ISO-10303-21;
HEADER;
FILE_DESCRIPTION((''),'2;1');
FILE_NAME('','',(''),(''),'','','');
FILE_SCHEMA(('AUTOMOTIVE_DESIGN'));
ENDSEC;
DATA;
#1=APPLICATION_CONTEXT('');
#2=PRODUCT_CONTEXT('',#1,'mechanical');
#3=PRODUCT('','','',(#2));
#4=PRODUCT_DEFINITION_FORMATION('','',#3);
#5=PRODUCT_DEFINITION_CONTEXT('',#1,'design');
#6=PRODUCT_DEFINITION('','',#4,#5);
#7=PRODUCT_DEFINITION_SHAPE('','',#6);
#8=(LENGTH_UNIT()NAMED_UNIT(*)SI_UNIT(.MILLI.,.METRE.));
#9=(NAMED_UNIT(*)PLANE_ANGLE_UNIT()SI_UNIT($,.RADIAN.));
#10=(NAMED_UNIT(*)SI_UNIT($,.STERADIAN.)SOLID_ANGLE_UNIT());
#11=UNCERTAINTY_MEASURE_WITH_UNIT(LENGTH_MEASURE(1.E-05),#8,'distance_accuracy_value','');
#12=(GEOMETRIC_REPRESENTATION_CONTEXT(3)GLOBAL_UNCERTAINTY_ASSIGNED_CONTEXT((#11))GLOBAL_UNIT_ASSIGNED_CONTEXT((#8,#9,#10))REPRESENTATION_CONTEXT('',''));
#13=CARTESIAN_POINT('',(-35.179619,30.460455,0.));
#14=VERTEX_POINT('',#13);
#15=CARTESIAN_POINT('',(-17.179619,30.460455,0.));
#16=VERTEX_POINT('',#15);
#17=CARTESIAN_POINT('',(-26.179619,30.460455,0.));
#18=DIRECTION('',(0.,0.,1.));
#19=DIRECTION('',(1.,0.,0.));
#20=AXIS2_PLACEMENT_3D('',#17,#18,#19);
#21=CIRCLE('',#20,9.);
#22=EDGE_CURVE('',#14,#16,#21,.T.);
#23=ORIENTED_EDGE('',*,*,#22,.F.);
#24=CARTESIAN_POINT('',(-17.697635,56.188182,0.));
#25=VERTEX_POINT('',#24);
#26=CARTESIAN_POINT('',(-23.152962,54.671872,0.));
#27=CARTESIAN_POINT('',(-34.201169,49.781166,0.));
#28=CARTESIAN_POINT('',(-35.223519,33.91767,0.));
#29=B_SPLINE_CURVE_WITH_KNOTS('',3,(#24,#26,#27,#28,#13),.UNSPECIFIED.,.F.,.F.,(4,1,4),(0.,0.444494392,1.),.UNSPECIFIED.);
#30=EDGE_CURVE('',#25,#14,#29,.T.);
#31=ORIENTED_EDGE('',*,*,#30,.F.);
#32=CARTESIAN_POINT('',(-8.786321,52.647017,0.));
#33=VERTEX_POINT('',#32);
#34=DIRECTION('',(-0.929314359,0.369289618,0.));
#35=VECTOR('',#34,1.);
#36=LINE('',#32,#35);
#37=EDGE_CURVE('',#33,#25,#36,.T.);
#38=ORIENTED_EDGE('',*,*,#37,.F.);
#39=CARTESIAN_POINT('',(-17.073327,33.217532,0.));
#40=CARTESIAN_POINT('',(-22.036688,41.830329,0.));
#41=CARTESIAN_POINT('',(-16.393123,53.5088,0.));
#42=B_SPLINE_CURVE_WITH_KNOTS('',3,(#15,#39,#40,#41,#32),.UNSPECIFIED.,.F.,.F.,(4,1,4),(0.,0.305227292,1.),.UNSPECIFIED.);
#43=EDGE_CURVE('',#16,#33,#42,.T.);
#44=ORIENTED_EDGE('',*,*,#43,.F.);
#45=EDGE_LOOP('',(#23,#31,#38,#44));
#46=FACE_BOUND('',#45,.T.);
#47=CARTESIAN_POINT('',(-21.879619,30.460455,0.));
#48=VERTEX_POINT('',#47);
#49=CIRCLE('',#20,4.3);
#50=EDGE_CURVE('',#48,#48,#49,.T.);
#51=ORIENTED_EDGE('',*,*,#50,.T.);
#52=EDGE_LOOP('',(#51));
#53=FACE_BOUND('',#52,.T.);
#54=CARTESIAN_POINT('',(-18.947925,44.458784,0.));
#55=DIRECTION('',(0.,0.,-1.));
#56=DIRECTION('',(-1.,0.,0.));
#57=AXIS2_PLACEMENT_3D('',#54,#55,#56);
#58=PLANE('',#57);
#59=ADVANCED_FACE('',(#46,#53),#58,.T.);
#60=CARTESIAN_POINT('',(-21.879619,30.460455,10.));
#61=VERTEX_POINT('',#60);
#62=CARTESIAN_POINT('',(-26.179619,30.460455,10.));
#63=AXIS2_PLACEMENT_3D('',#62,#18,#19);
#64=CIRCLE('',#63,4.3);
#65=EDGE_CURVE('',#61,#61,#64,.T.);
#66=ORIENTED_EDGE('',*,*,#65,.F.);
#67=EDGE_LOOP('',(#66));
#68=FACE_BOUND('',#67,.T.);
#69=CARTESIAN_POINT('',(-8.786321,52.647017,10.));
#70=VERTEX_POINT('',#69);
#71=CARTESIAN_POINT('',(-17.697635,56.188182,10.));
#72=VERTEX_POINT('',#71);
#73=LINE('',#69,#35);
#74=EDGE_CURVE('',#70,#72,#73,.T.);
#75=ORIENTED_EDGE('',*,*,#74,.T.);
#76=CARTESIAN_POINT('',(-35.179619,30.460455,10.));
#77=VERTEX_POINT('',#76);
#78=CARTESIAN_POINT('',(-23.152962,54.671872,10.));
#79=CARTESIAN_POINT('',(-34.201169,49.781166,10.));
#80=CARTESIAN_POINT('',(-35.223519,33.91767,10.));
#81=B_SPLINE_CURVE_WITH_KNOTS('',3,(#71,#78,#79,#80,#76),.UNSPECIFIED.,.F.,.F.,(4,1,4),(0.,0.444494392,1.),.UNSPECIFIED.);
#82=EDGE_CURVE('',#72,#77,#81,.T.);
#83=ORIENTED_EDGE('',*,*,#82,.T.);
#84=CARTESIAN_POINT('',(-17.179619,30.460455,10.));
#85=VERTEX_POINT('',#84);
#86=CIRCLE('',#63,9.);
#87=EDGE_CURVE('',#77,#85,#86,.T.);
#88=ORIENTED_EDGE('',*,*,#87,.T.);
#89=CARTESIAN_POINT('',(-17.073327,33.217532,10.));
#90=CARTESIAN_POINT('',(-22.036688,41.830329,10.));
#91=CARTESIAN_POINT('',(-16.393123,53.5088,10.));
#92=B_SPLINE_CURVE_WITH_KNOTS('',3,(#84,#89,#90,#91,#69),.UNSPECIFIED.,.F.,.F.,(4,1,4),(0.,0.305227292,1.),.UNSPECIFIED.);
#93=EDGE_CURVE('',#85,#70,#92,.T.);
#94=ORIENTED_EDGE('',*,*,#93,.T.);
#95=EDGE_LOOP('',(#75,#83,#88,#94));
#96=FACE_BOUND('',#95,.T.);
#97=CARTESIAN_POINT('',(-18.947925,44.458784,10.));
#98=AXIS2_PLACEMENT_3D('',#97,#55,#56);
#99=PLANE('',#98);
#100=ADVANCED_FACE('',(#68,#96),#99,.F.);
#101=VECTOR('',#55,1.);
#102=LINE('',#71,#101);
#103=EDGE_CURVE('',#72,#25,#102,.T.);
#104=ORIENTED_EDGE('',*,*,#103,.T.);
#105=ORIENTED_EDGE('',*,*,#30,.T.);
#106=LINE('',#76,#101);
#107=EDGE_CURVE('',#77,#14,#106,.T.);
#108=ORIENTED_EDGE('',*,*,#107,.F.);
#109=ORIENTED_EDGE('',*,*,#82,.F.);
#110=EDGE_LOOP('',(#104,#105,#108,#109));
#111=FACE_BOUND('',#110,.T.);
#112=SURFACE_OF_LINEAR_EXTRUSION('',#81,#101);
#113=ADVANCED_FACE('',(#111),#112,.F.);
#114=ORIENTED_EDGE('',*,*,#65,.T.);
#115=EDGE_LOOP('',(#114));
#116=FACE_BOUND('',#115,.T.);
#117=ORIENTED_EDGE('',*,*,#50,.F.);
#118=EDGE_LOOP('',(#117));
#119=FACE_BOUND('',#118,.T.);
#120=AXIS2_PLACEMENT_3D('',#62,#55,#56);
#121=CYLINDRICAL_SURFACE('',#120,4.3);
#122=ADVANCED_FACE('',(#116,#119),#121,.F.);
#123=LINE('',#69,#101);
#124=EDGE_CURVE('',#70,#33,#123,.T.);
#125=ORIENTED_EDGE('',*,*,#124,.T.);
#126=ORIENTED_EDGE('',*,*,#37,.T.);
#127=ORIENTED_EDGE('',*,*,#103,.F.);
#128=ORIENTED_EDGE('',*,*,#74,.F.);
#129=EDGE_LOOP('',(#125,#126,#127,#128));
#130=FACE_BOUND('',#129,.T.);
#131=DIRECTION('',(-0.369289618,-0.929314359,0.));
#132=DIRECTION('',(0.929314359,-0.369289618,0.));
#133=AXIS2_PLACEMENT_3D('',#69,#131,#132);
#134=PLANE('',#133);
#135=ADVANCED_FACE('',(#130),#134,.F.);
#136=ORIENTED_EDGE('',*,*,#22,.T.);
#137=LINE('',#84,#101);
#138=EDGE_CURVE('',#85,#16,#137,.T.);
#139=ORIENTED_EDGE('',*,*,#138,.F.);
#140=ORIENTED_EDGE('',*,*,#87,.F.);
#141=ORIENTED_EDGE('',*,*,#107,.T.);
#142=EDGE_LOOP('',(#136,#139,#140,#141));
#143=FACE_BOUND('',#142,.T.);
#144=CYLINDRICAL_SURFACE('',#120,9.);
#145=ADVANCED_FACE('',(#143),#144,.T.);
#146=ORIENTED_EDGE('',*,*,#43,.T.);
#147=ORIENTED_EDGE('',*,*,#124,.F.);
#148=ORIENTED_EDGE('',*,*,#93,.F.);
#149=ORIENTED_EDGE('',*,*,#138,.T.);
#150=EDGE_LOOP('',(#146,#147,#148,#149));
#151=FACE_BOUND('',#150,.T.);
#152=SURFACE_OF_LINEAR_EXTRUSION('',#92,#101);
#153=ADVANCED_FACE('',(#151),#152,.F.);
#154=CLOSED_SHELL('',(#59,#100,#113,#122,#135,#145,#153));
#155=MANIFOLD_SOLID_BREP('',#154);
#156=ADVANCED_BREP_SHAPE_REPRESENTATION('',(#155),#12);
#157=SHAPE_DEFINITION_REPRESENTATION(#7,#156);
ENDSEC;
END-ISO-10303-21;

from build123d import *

# Parameters (mm, degrees)
SKETCH1_R           = 4.3
BOSS_EXTRUDE1_DEPTH = 10


with BuildPart() as part:
    # Sketch1 → Boss-Extrude1 (new body)
    with BuildSketch(Plane.XY):
        with BuildLine():
            Line((-8.786321272, 52.647017374), (-17.697634828, 56.188182479))
            add(Edge.make_bspline(
                [(-35.179619379, 30.460455257), (-35.223518874, 33.917669849), (-34.201169153, 49.781165774), (-23.152962073, 54.671871571), (-17.697634828, 56.188182479)],
                knots=[0, 0, 0, 0, 0.555505608, 1, 1, 1, 1], degree=3))
            ThreePointArc((-35.179619379, 30.460455257), (-26.179619379, 21.460455257), (-17.179619379, 30.460455257))
            add(Edge.make_bspline(
                [(-17.179619379, 30.460455257), (-17.07332671, 33.217532109), (-22.036687674, 41.830328863), (-16.393122833, 53.508799667), (-8.786321272, 52.647017374)],
                knots=[0, 0, 0, 0, 0.305227292, 1, 1, 1, 1], degree=3))
        make_face()
        with Locations((-26.179619379, 30.460455257)):
            Circle(SKETCH1_R, mode=Mode.SUBTRACT)
    extrude(amount=BOSS_EXTRUDE1_DEPTH)


solid = part.part
